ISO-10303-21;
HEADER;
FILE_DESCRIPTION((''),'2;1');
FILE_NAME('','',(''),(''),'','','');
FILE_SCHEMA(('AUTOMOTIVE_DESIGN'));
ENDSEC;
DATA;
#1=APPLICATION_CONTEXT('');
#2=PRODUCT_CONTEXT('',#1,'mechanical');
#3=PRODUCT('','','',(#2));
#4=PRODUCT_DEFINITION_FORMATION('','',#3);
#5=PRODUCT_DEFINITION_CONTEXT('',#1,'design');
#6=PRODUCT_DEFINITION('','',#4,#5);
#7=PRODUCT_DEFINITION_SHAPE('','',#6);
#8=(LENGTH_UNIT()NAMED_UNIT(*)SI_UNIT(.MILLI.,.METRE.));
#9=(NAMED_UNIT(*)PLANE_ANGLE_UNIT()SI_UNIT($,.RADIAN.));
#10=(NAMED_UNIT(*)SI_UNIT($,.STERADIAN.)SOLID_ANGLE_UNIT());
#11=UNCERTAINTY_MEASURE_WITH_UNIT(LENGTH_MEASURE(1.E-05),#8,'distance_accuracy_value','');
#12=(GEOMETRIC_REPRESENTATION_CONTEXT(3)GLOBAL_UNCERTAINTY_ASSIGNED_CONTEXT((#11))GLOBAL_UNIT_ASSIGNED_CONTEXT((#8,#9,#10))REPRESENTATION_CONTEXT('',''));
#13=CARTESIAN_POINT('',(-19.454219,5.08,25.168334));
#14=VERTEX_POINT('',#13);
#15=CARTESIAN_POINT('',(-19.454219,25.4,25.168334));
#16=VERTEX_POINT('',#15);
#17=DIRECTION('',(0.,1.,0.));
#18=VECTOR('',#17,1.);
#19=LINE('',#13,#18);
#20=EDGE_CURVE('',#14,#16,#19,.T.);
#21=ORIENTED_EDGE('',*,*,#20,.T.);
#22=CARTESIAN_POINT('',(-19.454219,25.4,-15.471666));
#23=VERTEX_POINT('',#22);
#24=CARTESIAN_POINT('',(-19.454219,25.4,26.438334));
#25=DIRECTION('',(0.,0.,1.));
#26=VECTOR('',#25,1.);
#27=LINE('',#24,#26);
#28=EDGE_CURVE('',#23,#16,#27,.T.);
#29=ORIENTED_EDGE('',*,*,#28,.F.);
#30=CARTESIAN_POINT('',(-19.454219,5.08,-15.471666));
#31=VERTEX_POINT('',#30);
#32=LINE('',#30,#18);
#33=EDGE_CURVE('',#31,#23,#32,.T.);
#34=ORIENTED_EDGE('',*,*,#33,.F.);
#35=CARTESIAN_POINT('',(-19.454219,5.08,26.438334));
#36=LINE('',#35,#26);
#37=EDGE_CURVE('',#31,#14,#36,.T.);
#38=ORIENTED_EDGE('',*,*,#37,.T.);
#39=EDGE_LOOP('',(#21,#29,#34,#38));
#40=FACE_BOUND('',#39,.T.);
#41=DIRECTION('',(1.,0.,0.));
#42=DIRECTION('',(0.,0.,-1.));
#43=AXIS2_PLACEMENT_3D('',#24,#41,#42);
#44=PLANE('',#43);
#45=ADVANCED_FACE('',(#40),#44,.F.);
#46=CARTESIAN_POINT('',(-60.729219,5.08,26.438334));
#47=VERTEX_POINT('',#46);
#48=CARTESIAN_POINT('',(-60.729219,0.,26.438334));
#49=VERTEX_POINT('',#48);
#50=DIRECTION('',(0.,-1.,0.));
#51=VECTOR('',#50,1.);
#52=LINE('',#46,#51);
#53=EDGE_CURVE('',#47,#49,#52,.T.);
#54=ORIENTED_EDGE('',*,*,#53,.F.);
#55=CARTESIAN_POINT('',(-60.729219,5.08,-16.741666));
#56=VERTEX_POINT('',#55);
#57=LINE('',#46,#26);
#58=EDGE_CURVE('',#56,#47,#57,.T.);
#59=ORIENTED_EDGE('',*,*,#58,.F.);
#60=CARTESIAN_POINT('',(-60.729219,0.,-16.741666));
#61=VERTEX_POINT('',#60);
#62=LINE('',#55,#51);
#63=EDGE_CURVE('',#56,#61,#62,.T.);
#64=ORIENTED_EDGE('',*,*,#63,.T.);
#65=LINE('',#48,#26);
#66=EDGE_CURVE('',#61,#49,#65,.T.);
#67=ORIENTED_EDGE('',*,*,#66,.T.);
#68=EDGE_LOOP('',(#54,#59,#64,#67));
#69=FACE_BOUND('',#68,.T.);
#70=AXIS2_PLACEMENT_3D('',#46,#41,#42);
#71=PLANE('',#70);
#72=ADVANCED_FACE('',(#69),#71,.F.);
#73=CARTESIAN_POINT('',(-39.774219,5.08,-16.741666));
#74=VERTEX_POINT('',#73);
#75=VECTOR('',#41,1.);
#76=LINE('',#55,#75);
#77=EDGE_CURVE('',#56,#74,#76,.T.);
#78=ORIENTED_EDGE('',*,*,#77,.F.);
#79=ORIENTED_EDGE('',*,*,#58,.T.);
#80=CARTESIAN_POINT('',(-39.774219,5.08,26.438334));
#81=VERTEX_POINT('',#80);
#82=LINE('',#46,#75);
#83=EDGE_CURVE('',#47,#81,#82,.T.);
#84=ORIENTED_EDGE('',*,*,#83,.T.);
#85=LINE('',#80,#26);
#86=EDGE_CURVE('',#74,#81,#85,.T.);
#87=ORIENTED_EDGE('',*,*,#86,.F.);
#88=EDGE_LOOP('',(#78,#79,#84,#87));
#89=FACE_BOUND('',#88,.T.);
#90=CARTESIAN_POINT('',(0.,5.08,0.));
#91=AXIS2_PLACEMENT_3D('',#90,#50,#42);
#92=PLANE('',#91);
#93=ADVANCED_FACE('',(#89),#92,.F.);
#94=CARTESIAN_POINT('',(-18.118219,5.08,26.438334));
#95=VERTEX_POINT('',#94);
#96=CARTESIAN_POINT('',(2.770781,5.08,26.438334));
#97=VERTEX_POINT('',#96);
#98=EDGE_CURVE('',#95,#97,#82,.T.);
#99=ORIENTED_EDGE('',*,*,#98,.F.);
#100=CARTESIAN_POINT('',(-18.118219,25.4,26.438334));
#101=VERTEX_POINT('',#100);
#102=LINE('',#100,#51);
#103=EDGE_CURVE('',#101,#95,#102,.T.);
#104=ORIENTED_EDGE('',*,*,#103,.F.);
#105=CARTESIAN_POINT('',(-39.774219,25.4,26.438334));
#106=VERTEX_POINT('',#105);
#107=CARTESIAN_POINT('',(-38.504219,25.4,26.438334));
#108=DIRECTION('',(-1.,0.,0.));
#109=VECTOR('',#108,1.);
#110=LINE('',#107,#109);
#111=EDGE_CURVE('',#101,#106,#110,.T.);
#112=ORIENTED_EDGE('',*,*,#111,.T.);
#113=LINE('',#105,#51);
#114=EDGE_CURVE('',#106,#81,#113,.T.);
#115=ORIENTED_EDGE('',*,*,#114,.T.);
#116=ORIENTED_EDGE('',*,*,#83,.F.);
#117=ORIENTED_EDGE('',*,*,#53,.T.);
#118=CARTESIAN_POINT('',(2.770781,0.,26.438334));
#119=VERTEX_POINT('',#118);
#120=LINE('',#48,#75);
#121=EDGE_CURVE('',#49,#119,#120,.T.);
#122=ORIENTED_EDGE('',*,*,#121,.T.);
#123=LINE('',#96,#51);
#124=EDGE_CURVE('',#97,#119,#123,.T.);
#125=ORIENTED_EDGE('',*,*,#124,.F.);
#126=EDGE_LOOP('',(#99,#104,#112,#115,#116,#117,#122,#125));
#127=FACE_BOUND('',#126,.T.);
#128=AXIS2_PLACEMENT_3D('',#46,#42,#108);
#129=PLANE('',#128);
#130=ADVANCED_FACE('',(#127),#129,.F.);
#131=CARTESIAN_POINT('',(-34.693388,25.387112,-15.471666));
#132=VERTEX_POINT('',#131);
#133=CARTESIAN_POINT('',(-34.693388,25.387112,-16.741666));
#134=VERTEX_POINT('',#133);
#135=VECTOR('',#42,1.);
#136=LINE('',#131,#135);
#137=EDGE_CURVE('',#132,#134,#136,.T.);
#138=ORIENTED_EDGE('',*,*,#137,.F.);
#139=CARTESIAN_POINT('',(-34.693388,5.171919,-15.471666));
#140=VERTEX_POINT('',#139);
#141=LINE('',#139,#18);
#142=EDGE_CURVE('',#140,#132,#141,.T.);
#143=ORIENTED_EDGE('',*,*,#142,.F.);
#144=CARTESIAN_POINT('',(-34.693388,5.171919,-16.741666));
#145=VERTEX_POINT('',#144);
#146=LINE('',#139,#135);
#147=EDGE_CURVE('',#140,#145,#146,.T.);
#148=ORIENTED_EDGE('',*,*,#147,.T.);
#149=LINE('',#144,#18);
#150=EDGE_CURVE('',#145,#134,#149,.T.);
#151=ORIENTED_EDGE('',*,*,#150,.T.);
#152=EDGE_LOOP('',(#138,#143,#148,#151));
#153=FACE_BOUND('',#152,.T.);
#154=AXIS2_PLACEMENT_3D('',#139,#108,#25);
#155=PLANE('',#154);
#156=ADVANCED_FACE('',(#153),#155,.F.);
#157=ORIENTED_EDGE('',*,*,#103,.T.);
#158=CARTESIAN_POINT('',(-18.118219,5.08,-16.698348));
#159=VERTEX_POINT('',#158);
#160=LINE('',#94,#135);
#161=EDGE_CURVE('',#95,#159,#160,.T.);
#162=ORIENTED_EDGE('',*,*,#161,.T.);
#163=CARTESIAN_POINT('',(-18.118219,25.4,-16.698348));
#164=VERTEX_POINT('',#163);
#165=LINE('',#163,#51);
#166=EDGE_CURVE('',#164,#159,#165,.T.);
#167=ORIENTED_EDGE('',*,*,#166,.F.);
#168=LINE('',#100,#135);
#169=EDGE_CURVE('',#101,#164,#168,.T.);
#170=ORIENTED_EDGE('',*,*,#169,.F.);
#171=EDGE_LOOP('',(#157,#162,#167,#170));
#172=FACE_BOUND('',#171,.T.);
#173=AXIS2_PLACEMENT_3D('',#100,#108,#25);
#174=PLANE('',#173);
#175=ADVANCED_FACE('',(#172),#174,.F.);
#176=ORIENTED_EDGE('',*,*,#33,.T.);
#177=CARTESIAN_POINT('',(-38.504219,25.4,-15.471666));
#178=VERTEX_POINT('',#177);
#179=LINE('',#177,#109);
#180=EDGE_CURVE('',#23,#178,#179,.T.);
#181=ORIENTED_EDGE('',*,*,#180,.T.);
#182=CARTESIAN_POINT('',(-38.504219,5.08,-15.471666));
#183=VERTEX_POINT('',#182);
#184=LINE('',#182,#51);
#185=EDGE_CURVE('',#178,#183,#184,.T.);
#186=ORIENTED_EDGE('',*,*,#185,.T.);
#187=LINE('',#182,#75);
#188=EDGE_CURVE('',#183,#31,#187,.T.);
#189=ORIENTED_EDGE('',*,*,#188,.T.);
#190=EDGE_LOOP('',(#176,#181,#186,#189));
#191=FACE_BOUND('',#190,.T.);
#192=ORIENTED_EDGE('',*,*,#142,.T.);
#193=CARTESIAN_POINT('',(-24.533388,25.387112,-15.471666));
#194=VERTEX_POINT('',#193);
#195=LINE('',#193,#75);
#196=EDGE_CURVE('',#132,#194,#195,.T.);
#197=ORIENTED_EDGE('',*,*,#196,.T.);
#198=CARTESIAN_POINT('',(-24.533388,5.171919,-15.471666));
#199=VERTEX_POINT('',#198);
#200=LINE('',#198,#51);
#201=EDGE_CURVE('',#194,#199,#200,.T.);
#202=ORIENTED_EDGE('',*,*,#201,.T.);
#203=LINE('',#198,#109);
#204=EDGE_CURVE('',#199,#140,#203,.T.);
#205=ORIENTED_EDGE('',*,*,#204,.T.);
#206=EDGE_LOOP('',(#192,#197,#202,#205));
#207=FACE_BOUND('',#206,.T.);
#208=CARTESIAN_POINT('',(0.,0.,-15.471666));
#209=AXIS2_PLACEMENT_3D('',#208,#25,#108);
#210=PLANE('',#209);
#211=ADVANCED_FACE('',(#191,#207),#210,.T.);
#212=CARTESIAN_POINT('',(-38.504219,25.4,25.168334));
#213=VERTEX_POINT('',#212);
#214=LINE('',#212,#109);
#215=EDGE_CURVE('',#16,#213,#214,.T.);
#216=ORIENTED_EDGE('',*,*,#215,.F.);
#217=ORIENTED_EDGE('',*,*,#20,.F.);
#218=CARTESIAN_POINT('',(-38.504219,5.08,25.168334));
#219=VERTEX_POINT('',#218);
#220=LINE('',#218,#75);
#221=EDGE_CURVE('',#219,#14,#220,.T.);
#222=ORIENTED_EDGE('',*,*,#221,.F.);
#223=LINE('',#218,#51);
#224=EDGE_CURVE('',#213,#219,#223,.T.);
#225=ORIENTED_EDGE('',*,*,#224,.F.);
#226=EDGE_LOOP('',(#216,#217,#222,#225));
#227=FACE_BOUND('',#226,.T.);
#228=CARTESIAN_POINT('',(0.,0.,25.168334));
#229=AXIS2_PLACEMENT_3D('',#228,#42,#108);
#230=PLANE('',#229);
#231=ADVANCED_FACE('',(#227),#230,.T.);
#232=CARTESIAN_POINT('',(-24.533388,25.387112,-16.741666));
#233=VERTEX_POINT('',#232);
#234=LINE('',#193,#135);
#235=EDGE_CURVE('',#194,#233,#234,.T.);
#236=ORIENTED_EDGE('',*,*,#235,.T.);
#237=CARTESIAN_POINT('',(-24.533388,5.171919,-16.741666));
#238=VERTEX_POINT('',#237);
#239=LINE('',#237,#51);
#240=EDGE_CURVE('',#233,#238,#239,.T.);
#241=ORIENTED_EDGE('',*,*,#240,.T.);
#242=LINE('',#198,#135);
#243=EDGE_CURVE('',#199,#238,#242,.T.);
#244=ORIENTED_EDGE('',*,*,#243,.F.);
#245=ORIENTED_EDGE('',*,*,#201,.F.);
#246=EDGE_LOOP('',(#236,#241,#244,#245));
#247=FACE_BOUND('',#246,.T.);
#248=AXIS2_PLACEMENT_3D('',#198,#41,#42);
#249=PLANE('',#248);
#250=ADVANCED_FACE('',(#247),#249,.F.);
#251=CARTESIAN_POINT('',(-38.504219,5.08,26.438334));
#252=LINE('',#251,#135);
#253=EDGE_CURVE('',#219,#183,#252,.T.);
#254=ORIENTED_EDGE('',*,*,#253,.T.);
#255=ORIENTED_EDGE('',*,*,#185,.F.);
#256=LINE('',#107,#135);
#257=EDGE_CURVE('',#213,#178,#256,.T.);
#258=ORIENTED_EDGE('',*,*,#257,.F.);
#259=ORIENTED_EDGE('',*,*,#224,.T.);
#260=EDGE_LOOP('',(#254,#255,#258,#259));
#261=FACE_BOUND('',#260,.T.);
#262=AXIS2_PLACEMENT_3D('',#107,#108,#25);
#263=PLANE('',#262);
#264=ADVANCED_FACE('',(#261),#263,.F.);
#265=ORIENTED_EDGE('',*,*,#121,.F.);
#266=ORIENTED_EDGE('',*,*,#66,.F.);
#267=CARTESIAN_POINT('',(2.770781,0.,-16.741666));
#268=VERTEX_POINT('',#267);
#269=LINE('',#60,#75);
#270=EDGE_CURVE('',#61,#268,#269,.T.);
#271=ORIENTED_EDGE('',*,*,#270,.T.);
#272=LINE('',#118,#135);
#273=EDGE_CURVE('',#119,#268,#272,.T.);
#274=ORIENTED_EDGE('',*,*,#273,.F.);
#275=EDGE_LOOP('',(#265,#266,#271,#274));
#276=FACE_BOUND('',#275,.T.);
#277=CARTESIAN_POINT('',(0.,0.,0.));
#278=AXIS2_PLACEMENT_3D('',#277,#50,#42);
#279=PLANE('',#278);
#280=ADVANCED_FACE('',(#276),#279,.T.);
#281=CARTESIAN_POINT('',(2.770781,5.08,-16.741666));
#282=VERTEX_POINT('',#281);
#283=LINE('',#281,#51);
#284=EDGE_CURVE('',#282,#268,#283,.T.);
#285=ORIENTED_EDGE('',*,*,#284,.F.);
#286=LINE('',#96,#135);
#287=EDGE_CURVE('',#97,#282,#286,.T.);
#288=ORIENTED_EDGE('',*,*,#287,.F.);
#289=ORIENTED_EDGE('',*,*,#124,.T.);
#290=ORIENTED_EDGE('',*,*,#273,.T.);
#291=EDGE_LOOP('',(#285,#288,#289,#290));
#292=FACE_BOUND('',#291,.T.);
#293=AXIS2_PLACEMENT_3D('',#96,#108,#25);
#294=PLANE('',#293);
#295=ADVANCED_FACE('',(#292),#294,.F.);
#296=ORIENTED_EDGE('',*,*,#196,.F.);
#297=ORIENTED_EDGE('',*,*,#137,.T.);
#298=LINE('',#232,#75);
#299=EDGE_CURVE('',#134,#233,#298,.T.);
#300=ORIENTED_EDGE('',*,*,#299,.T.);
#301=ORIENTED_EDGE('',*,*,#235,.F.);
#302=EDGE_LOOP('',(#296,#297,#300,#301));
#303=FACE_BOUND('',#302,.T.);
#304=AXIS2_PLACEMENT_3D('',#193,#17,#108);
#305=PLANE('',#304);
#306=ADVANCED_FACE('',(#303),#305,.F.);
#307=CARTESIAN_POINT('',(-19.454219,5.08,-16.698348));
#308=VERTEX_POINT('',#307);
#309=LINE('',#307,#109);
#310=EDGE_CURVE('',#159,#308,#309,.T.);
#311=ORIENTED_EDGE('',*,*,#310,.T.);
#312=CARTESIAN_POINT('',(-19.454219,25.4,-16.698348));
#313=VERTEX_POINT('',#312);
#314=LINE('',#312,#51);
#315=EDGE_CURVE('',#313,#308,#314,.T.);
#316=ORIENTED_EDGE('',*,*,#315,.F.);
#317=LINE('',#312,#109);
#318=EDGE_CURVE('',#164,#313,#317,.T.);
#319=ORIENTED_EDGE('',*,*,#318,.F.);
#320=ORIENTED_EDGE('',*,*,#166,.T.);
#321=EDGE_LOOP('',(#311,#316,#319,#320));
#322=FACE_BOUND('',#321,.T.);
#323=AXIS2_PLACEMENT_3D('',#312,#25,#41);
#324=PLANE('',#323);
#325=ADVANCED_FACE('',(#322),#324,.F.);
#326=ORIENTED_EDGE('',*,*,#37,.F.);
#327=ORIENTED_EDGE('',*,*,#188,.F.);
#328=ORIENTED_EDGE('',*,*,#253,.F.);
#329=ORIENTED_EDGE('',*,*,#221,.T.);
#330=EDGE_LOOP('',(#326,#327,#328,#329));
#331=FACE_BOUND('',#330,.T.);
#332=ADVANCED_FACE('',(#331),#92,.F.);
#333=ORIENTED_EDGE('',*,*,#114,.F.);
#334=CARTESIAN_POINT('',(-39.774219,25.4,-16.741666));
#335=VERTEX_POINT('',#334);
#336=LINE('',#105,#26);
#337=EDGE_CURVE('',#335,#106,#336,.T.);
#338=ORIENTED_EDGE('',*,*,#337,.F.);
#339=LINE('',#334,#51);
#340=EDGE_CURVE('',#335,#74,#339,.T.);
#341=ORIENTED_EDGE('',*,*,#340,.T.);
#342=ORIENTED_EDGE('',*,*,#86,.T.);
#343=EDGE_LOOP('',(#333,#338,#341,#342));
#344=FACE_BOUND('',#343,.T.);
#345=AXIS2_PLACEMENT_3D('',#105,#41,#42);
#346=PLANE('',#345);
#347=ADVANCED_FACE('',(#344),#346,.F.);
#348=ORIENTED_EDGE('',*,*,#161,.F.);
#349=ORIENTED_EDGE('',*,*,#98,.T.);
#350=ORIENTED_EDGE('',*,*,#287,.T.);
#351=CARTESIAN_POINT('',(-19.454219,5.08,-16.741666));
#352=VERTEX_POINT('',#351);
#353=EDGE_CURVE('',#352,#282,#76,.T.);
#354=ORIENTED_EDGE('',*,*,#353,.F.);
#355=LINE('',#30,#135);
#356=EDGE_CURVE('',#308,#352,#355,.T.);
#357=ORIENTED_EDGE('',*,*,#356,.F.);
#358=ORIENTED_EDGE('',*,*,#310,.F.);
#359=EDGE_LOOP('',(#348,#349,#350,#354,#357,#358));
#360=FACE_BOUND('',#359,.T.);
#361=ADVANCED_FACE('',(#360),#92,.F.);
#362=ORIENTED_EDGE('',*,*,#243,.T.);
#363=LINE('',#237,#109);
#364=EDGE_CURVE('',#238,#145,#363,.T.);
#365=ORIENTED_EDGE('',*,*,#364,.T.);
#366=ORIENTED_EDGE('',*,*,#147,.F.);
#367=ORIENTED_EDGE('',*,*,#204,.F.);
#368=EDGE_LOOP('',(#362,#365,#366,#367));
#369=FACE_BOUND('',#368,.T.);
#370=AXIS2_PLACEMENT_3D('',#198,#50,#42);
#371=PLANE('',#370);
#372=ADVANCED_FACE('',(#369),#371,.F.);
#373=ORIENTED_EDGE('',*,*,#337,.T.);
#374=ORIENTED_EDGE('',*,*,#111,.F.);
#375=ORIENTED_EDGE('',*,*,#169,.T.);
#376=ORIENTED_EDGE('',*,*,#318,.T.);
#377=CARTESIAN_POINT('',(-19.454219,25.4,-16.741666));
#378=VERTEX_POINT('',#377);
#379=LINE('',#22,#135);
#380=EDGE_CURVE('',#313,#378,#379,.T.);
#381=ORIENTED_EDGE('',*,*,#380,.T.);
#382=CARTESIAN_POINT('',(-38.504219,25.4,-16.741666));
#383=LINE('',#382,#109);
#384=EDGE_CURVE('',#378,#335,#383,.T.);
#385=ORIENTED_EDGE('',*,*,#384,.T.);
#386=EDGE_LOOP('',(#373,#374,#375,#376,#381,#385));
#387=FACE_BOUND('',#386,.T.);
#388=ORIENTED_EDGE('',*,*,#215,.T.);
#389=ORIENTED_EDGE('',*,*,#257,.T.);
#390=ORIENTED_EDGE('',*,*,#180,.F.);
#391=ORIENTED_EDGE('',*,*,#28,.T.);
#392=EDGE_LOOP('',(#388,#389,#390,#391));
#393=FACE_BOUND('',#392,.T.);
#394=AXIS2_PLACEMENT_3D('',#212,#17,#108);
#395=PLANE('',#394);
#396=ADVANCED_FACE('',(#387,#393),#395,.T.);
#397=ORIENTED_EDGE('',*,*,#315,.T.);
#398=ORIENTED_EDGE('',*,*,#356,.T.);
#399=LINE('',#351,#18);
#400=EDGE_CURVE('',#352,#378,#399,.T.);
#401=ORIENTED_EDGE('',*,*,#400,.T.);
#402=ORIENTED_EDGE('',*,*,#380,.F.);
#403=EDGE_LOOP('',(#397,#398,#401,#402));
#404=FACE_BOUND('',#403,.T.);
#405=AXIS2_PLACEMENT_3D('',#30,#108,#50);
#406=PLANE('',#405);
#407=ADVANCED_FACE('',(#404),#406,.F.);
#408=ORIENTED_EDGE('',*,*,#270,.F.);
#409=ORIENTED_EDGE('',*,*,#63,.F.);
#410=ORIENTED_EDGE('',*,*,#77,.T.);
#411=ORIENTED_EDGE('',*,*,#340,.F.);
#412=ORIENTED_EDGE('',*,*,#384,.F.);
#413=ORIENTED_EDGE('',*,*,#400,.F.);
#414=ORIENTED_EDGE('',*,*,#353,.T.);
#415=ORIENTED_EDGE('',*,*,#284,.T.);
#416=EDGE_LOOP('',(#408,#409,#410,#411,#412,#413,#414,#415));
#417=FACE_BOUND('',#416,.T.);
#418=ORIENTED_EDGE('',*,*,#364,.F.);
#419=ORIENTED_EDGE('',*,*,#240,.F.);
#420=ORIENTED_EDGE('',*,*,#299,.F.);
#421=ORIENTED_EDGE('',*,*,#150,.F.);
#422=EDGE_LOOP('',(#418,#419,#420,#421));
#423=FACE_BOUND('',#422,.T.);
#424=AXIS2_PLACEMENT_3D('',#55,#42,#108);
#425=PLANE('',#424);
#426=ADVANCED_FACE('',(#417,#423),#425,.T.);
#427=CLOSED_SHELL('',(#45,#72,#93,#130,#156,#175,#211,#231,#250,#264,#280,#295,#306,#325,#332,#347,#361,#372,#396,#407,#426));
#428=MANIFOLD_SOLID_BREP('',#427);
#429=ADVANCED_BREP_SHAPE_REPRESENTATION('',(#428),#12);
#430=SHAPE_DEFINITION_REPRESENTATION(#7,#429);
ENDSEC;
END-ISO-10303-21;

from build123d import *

# Parameters (mm, degrees)
SKETCH1_W           = 63.5
SKETCH1_H           = 21.59
BOSS_EXTRUDE1_DEPTH = 5.08
SKETCH2_W           = 19.05
SKETCH2_H           = 20.32
BOSS_EXTRUDE2_DEPTH = 1.27
SKETCH3_W           = 1.27
SKETCH3_H           = 21.59
BOSS_EXTRUDE3_DEPTH = 20.32
SKETCH4_W           = 1.336000662
SKETCH4_H           = 43.13668157
BOSS_EXTRUDE4_DEPTH = 20.32
SKETCH5_W           = 10.16
SKETCH5_H           = 20.215193183
CUT_EXTRUDE2_DEPTH  = 1.27


with BuildPart() as part:
    # Sketch1 → Boss-Extrude1 (new body)
    with BuildSketch(Plane(origin=(0, 0, 0), x_dir=(1, 0, 0), z_dir=(0, 1, 0))):
        with Locations((-28.979219315, -15.643333637)):
            Rectangle(SKETCH1_W, SKETCH1_H)
    boss_extrude1 = extrude(amount=BOSS_EXTRUDE1_DEPTH)

    # Sketch2 → Boss-Extrude2 (add)
    with BuildSketch(Plane.XY.offset(26.438333637)):
        with Locations((-28.979219315, 15.24)):
            Rectangle(SKETCH2_W, SKETCH2_H)
    boss_extrude2 = extrude(amount=-BOSS_EXTRUDE2_DEPTH)

    # Sketch3 → Boss-Extrude3 (add)
    with BuildSketch(Plane(origin=(0, 5.08, 0), x_dir=(1, 0, 0), z_dir=(0, 1, 0))):
        with Locations((-39.139219315, -15.643333637)):
            Rectangle(SKETCH3_W, SKETCH3_H)
    boss_extrude3 = extrude(amount=BOSS_EXTRUDE3_DEPTH)

    # Mirror2: Boss-Extrude1, Boss-Extrude2, Boss-Extrude3 across plane
    add(boss_extrude1.mirror(Plane(origin=(-60.729219315, 5.08, 4.848333637), x_dir=(1, 0, 0), z_dir=(0, 0, 1))))
    add(boss_extrude2.mirror(Plane(origin=(-60.729219315, 5.08, 4.848333637), x_dir=(1, 0, 0), z_dir=(0, 0, 1))))
    add(boss_extrude3.mirror(Plane(origin=(-60.729219315, 5.08, 4.848333637), x_dir=(1, 0, 0), z_dir=(0, 0, 1))))

    # Sketch4 → Boss-Extrude4 (add)
    with BuildSketch(Plane(origin=(0, 5.08, 0), x_dir=(1, 0, 0), z_dir=(0, 1, 0))):
        with Locations((-18.786218984, -4.869992852)):
            Rectangle(SKETCH4_W, SKETCH4_H)
    extrude(amount=BOSS_EXTRUDE4_DEPTH)

    # Sketch5 → Cut-Extrude2 (cut)
    with BuildSketch(Plane(origin=(0, 0, -16.741666363), x_dir=(-1, 0, 0), z_dir=(0, 0, -1))):
        with Locations((29.613387645, 15.279515477)):
            Rectangle(SKETCH5_W, SKETCH5_H)
    extrude(amount=-CUT_EXTRUDE2_DEPTH, mode=Mode.SUBTRACT)


solid = part.part
